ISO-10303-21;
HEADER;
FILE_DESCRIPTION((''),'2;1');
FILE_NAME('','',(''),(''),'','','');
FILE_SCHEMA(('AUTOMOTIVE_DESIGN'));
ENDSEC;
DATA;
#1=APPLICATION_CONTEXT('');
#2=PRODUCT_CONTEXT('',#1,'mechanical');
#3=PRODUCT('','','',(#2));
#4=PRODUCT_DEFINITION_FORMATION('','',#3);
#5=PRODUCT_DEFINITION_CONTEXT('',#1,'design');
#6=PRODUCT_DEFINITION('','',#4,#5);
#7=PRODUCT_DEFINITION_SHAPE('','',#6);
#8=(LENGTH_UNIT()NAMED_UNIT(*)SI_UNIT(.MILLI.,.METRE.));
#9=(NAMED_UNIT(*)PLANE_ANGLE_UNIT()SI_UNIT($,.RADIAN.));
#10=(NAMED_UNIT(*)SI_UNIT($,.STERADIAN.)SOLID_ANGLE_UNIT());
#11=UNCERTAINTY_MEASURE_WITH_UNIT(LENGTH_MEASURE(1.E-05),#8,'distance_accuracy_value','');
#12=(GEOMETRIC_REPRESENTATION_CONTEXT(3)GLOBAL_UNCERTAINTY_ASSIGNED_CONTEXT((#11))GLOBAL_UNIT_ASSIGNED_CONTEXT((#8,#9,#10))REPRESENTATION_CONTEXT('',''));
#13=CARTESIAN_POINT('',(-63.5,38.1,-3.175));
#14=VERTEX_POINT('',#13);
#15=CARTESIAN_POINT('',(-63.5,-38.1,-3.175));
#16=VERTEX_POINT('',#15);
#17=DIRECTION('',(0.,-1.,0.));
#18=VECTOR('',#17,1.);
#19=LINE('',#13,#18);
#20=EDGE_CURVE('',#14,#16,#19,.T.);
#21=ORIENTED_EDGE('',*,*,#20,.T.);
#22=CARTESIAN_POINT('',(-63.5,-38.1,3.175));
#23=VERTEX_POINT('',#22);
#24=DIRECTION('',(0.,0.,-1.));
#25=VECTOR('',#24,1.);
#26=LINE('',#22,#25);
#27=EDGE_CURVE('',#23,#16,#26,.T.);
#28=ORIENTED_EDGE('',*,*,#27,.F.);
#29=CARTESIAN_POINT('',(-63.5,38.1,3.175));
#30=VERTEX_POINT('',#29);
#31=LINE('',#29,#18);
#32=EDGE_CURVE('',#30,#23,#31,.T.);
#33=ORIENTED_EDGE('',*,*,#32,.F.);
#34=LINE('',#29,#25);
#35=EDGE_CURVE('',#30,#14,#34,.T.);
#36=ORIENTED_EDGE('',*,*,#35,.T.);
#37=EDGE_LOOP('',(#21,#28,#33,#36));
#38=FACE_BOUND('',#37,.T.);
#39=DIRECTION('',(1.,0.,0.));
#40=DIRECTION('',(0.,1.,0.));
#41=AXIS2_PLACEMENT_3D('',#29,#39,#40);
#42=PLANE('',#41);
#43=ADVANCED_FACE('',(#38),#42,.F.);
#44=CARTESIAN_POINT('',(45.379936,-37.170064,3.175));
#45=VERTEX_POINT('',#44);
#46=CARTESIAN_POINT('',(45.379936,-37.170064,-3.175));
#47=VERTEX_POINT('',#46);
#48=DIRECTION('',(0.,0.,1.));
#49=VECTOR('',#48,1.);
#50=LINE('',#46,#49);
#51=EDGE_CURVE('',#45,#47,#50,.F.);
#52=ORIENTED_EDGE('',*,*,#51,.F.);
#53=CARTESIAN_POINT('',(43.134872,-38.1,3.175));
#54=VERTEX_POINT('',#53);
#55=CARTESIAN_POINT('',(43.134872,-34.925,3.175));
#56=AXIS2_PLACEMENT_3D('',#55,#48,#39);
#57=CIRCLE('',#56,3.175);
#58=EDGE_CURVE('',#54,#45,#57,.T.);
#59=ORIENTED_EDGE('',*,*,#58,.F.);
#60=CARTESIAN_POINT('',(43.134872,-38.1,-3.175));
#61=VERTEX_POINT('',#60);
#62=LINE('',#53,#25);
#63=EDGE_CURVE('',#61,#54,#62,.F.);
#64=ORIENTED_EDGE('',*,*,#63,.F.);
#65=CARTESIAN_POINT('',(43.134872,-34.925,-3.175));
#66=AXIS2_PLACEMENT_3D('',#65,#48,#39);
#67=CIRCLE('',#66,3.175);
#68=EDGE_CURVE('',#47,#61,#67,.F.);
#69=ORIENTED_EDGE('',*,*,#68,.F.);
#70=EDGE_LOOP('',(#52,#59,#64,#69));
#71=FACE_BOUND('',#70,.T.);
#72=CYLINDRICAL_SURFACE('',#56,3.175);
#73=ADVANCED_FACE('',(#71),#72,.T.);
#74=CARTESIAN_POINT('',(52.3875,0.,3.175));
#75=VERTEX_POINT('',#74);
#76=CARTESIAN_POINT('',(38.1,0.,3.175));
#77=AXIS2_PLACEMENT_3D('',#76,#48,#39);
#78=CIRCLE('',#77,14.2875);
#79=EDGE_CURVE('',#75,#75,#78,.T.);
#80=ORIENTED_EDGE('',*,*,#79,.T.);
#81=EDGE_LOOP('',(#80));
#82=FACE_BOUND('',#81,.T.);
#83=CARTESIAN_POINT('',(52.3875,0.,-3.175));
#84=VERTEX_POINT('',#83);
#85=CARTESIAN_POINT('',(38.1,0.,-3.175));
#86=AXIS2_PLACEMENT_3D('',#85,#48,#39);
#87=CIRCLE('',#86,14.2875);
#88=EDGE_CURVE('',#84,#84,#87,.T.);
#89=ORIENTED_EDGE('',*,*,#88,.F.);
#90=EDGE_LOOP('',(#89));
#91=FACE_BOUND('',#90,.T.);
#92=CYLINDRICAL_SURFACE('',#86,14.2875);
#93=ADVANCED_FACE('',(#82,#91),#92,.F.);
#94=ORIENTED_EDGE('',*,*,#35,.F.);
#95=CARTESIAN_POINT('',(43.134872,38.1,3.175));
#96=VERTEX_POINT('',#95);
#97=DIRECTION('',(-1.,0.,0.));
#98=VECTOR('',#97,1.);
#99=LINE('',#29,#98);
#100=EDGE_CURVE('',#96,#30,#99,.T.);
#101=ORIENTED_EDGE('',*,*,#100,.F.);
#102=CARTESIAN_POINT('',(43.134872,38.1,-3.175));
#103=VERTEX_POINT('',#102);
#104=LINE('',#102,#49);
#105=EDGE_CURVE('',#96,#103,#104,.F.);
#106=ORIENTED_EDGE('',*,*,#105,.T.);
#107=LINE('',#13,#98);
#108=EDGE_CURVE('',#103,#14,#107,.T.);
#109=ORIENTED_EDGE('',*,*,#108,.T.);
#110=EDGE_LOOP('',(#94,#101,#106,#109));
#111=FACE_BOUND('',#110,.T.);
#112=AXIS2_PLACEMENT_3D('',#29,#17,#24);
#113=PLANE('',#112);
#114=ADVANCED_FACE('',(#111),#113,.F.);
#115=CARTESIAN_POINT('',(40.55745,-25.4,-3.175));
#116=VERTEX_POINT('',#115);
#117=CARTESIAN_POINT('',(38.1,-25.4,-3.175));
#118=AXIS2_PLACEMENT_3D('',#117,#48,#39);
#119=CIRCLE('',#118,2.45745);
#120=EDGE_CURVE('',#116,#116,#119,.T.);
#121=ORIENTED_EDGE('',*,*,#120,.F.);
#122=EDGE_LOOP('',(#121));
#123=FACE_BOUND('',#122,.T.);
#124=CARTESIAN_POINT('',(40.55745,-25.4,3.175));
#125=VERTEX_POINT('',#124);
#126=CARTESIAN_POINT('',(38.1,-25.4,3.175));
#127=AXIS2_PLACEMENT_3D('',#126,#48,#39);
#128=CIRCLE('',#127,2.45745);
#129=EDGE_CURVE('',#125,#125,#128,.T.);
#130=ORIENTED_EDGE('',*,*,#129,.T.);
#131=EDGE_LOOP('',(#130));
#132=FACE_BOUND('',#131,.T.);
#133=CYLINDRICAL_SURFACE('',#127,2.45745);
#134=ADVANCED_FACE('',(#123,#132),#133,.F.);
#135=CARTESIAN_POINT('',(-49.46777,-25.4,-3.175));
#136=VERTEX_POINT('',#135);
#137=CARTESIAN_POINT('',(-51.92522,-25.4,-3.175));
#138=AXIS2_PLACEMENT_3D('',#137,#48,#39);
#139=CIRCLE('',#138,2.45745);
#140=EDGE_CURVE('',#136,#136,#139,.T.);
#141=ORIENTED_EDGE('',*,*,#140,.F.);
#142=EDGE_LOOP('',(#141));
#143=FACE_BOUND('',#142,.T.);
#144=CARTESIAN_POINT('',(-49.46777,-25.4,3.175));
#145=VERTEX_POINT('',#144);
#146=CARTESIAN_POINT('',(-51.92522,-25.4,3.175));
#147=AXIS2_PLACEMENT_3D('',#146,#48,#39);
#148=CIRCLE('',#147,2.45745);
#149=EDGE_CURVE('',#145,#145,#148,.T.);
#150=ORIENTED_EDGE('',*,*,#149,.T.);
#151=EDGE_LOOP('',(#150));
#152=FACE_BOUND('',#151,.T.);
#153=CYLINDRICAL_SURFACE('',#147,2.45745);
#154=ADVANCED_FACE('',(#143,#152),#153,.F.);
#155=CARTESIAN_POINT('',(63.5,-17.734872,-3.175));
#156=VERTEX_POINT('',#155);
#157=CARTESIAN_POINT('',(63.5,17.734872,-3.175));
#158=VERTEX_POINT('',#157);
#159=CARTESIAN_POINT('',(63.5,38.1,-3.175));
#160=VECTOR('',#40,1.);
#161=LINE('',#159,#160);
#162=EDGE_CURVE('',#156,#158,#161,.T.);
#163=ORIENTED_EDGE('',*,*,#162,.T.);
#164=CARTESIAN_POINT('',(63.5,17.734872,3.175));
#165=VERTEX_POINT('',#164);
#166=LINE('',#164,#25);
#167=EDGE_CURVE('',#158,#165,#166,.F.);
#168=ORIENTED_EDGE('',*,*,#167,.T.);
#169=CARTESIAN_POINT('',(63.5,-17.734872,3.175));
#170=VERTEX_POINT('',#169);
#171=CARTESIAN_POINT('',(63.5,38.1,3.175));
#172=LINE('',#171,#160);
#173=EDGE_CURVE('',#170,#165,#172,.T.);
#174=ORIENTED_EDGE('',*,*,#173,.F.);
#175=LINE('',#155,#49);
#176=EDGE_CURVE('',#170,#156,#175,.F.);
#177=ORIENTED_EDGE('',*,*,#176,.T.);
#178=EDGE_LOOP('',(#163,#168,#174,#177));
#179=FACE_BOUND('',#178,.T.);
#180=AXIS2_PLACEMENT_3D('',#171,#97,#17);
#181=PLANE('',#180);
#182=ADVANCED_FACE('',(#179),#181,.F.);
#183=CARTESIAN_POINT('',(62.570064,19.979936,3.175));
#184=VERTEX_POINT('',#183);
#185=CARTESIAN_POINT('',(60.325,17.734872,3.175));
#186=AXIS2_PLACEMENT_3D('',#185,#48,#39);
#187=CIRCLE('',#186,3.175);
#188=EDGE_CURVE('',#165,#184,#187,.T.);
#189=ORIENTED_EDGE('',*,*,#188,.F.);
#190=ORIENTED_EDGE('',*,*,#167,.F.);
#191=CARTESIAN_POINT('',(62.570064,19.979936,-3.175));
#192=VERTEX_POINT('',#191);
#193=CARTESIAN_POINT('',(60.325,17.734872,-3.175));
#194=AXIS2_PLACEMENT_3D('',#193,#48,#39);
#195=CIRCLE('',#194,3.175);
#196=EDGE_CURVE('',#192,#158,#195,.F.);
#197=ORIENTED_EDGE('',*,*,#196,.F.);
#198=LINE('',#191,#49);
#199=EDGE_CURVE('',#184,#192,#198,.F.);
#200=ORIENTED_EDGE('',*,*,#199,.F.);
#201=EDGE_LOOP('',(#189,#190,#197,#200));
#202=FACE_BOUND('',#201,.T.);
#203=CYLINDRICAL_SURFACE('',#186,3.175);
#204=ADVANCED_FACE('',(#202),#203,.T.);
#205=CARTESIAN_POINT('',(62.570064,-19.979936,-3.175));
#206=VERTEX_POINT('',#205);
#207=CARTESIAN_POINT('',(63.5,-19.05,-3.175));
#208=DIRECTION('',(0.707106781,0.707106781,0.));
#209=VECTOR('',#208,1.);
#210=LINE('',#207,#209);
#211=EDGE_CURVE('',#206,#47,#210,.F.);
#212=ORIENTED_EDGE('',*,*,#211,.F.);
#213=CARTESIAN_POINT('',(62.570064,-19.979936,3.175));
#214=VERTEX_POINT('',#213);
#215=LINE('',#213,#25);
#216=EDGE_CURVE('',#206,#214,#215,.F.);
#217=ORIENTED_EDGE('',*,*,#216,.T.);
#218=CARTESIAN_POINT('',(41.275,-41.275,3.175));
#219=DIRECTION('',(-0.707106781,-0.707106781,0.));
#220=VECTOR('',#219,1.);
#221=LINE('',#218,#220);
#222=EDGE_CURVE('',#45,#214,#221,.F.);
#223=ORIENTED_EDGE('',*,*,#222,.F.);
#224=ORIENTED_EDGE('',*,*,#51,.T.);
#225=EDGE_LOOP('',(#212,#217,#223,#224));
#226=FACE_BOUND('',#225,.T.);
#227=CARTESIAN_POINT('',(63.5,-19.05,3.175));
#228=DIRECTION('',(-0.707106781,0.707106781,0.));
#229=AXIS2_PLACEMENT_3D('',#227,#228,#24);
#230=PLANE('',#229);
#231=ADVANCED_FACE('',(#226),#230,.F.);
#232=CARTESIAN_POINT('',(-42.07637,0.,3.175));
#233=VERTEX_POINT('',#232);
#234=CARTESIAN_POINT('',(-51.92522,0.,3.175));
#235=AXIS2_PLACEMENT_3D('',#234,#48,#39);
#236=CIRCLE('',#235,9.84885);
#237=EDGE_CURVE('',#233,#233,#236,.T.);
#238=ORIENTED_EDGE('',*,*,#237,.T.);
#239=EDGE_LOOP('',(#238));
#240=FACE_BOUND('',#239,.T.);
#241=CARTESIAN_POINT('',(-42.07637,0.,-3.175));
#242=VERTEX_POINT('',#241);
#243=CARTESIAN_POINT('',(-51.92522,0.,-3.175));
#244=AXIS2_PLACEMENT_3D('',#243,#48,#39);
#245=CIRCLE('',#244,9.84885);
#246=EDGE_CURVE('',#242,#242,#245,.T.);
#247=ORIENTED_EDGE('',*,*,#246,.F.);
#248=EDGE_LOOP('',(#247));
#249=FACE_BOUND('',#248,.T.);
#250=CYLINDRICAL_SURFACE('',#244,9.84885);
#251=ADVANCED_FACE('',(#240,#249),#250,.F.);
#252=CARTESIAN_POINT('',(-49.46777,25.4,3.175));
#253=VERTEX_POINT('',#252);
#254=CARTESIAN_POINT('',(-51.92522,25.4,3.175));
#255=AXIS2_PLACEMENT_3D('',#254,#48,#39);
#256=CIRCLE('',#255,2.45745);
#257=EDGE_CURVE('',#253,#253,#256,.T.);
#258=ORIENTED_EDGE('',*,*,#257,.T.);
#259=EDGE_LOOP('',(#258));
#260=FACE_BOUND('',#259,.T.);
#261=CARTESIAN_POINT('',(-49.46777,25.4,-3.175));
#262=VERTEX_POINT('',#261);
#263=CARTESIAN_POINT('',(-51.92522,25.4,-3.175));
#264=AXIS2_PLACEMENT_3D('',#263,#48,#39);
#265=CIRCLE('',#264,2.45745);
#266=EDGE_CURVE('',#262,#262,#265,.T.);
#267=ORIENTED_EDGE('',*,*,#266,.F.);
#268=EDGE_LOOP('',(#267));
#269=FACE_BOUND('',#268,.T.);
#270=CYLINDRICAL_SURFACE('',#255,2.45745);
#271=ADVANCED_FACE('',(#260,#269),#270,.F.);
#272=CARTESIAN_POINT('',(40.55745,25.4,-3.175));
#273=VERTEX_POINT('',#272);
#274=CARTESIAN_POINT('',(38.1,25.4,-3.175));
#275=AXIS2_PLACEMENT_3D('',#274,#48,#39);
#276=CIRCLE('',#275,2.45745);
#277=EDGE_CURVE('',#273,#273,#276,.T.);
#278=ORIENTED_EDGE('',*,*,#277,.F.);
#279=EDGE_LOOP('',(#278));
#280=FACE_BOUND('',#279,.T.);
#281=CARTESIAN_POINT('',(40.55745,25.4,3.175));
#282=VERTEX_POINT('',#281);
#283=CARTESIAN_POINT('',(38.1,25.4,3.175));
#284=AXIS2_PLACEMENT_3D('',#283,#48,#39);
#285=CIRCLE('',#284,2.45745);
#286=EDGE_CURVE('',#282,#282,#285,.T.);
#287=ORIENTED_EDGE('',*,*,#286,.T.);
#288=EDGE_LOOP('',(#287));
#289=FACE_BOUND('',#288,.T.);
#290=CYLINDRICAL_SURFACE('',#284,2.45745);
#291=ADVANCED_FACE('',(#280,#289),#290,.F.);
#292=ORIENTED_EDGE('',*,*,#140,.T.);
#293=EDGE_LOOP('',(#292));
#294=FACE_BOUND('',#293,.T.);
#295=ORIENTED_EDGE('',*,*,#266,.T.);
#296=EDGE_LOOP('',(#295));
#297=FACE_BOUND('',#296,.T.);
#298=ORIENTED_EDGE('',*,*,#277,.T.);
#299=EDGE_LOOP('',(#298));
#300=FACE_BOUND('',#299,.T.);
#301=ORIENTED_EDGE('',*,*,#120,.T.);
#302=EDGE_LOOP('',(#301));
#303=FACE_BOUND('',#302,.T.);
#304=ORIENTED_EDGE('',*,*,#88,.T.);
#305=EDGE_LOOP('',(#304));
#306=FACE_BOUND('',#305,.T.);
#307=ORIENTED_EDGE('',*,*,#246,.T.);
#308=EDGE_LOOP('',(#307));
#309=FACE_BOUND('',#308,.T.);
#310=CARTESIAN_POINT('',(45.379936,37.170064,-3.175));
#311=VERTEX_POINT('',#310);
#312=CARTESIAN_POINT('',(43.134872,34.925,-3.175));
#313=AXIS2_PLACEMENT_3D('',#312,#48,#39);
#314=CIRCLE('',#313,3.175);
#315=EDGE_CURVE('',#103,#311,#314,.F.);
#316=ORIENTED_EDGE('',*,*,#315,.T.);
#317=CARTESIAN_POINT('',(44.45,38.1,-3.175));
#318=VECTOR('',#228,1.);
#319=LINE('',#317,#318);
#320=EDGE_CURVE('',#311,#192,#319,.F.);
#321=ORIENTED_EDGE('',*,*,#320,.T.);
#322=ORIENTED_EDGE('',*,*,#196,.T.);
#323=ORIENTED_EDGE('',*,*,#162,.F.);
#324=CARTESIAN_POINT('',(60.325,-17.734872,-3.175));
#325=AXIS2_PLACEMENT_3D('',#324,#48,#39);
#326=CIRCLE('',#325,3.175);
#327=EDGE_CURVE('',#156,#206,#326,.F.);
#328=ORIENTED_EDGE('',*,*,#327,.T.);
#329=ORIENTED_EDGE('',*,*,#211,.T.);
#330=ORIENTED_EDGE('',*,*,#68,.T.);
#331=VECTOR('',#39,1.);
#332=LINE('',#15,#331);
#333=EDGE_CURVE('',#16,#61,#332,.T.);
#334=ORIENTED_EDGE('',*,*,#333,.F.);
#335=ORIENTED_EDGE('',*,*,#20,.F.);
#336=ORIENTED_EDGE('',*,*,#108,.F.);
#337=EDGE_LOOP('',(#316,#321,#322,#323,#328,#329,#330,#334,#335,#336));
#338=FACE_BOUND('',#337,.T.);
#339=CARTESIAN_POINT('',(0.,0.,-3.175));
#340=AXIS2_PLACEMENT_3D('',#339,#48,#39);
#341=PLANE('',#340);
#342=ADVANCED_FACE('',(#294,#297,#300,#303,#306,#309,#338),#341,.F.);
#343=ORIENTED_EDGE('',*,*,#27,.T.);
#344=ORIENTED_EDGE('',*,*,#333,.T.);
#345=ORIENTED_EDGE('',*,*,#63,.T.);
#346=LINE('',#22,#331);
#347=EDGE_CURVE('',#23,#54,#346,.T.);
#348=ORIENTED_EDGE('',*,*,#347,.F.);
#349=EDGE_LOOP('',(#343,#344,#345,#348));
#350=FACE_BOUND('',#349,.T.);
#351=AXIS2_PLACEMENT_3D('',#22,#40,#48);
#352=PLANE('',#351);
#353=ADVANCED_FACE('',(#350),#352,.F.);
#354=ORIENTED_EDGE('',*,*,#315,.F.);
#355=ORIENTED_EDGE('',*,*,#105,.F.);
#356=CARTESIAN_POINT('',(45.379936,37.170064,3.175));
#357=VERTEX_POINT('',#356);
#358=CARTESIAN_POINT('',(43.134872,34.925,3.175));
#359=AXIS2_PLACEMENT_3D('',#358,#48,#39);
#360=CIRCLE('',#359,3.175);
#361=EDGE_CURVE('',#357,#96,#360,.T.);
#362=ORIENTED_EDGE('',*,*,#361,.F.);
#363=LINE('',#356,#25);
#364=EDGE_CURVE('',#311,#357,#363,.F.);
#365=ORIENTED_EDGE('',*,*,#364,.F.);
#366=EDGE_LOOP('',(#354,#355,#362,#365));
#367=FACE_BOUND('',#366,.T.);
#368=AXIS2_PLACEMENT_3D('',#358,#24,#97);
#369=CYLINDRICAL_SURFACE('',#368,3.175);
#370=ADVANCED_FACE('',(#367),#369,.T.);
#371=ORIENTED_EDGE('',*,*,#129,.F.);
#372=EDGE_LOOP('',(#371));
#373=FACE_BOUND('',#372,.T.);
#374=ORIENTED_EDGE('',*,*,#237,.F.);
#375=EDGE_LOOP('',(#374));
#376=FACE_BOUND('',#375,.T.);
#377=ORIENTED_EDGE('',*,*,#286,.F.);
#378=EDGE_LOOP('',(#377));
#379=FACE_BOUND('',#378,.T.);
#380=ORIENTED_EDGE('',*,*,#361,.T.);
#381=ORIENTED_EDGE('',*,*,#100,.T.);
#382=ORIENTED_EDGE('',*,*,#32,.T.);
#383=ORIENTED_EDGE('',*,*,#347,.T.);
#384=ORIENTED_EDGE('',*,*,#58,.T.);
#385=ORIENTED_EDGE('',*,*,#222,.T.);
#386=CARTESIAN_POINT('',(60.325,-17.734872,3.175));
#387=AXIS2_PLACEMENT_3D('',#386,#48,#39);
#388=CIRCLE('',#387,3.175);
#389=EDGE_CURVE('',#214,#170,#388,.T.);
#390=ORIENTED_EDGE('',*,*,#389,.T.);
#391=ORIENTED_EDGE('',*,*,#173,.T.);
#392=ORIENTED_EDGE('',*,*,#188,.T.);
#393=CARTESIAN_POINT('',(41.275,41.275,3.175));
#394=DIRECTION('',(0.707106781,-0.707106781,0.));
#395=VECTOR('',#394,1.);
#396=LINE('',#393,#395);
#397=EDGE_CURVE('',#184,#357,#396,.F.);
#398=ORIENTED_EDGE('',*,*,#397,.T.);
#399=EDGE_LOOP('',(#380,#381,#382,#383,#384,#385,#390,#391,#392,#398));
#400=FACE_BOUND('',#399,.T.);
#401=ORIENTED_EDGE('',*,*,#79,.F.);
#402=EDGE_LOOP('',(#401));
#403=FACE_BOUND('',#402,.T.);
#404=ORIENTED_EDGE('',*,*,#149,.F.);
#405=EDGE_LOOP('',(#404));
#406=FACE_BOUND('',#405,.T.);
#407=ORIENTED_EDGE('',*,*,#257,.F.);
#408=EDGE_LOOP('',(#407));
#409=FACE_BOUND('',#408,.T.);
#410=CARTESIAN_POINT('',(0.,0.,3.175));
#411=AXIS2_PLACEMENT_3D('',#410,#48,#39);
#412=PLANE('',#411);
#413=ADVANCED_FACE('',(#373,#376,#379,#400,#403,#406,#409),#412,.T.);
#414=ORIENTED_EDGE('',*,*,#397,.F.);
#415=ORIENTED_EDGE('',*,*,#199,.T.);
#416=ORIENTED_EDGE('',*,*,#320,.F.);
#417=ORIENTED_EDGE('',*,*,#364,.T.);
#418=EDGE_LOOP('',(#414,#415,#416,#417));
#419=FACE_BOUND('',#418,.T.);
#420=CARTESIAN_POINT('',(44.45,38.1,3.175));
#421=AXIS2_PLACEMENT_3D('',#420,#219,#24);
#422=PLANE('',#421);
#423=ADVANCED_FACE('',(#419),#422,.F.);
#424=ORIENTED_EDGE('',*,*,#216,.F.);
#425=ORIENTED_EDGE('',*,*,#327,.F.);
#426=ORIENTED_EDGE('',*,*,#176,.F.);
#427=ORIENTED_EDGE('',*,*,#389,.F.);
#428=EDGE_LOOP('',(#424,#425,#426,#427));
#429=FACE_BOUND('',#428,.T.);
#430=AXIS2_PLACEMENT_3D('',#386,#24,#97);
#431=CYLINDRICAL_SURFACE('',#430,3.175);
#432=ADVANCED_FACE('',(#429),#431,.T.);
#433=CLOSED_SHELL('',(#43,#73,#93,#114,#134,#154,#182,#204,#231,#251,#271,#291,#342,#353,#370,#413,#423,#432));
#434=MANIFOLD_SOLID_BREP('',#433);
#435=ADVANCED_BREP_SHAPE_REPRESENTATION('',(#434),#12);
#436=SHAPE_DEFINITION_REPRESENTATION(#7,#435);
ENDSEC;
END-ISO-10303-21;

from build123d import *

# Parameters (mm, degrees)
SKETCH1_W                    = 127
SKETCH1_H                    = 76.2
BOSS_EXTRUDE1_DEPTH          = 3.175
SKETCH2_R                    = 9.84885
SKETCH2_R_2                  = 14.2875
CUT_EXTRUDE1_DEPTH           = 75.324844433
CHAMFER1_SIZE                = 19.05
F_10_0_1935_DIAMETER_HOLE1_D = 4.9149
FILLET1_R                    = 3.175


with BuildPart() as part:
    # Sketch1 → Boss-Extrude1 (new, symmetric)
    with BuildSketch(Plane.XY):
        Rectangle(SKETCH1_W, SKETCH1_H)
    extrude(amount=BOSS_EXTRUDE1_DEPTH, both=True)

    # Sketch2 → Cut-Extrude1 (cut, through all)
    with BuildSketch(Plane.XY.offset(3.175)):
        with Locations((-51.92522, 0)):
            Circle(SKETCH2_R)
        with Locations((38.1, 0)):
            Circle(SKETCH2_R_2)
    extrude(amount=-CUT_EXTRUDE1_DEPTH, mode=Mode.SUBTRACT)

    # Chamfer1
    chamfer1_edges = [part.edges().sort_by_distance(p)[0] for p in [
        (63.5, -38.1, 0),
        (63.5, 38.1, 0),
    ]]
    chamfer(chamfer1_edges, length=CHAMFER1_SIZE)

    # #10 (0.1935) Diameter Hole1 (through all)
    with Locations(Plane.XY.offset(3.175)):
        with Locations((-51.92522, 25.4), (-51.92522, -25.4), (38.1, 25.4), (38.1, -25.4), (-51.92522, 0), (38.1, 0)):
            Hole(F_10_0_1935_DIAMETER_HOLE1_D / 2)

    # Fillet1
    fillet1_edges = [part.edges().sort_by_distance(p)[0] for p in [
        (44.45, 38.1, 0),
        (63.5, -19.05, 0),
        (63.5, 19.05, 0),
        (44.45, -38.1, 0),
    ]]
    fillet(fillet1_edges, radius=FILLET1_R)


solid = part.part
